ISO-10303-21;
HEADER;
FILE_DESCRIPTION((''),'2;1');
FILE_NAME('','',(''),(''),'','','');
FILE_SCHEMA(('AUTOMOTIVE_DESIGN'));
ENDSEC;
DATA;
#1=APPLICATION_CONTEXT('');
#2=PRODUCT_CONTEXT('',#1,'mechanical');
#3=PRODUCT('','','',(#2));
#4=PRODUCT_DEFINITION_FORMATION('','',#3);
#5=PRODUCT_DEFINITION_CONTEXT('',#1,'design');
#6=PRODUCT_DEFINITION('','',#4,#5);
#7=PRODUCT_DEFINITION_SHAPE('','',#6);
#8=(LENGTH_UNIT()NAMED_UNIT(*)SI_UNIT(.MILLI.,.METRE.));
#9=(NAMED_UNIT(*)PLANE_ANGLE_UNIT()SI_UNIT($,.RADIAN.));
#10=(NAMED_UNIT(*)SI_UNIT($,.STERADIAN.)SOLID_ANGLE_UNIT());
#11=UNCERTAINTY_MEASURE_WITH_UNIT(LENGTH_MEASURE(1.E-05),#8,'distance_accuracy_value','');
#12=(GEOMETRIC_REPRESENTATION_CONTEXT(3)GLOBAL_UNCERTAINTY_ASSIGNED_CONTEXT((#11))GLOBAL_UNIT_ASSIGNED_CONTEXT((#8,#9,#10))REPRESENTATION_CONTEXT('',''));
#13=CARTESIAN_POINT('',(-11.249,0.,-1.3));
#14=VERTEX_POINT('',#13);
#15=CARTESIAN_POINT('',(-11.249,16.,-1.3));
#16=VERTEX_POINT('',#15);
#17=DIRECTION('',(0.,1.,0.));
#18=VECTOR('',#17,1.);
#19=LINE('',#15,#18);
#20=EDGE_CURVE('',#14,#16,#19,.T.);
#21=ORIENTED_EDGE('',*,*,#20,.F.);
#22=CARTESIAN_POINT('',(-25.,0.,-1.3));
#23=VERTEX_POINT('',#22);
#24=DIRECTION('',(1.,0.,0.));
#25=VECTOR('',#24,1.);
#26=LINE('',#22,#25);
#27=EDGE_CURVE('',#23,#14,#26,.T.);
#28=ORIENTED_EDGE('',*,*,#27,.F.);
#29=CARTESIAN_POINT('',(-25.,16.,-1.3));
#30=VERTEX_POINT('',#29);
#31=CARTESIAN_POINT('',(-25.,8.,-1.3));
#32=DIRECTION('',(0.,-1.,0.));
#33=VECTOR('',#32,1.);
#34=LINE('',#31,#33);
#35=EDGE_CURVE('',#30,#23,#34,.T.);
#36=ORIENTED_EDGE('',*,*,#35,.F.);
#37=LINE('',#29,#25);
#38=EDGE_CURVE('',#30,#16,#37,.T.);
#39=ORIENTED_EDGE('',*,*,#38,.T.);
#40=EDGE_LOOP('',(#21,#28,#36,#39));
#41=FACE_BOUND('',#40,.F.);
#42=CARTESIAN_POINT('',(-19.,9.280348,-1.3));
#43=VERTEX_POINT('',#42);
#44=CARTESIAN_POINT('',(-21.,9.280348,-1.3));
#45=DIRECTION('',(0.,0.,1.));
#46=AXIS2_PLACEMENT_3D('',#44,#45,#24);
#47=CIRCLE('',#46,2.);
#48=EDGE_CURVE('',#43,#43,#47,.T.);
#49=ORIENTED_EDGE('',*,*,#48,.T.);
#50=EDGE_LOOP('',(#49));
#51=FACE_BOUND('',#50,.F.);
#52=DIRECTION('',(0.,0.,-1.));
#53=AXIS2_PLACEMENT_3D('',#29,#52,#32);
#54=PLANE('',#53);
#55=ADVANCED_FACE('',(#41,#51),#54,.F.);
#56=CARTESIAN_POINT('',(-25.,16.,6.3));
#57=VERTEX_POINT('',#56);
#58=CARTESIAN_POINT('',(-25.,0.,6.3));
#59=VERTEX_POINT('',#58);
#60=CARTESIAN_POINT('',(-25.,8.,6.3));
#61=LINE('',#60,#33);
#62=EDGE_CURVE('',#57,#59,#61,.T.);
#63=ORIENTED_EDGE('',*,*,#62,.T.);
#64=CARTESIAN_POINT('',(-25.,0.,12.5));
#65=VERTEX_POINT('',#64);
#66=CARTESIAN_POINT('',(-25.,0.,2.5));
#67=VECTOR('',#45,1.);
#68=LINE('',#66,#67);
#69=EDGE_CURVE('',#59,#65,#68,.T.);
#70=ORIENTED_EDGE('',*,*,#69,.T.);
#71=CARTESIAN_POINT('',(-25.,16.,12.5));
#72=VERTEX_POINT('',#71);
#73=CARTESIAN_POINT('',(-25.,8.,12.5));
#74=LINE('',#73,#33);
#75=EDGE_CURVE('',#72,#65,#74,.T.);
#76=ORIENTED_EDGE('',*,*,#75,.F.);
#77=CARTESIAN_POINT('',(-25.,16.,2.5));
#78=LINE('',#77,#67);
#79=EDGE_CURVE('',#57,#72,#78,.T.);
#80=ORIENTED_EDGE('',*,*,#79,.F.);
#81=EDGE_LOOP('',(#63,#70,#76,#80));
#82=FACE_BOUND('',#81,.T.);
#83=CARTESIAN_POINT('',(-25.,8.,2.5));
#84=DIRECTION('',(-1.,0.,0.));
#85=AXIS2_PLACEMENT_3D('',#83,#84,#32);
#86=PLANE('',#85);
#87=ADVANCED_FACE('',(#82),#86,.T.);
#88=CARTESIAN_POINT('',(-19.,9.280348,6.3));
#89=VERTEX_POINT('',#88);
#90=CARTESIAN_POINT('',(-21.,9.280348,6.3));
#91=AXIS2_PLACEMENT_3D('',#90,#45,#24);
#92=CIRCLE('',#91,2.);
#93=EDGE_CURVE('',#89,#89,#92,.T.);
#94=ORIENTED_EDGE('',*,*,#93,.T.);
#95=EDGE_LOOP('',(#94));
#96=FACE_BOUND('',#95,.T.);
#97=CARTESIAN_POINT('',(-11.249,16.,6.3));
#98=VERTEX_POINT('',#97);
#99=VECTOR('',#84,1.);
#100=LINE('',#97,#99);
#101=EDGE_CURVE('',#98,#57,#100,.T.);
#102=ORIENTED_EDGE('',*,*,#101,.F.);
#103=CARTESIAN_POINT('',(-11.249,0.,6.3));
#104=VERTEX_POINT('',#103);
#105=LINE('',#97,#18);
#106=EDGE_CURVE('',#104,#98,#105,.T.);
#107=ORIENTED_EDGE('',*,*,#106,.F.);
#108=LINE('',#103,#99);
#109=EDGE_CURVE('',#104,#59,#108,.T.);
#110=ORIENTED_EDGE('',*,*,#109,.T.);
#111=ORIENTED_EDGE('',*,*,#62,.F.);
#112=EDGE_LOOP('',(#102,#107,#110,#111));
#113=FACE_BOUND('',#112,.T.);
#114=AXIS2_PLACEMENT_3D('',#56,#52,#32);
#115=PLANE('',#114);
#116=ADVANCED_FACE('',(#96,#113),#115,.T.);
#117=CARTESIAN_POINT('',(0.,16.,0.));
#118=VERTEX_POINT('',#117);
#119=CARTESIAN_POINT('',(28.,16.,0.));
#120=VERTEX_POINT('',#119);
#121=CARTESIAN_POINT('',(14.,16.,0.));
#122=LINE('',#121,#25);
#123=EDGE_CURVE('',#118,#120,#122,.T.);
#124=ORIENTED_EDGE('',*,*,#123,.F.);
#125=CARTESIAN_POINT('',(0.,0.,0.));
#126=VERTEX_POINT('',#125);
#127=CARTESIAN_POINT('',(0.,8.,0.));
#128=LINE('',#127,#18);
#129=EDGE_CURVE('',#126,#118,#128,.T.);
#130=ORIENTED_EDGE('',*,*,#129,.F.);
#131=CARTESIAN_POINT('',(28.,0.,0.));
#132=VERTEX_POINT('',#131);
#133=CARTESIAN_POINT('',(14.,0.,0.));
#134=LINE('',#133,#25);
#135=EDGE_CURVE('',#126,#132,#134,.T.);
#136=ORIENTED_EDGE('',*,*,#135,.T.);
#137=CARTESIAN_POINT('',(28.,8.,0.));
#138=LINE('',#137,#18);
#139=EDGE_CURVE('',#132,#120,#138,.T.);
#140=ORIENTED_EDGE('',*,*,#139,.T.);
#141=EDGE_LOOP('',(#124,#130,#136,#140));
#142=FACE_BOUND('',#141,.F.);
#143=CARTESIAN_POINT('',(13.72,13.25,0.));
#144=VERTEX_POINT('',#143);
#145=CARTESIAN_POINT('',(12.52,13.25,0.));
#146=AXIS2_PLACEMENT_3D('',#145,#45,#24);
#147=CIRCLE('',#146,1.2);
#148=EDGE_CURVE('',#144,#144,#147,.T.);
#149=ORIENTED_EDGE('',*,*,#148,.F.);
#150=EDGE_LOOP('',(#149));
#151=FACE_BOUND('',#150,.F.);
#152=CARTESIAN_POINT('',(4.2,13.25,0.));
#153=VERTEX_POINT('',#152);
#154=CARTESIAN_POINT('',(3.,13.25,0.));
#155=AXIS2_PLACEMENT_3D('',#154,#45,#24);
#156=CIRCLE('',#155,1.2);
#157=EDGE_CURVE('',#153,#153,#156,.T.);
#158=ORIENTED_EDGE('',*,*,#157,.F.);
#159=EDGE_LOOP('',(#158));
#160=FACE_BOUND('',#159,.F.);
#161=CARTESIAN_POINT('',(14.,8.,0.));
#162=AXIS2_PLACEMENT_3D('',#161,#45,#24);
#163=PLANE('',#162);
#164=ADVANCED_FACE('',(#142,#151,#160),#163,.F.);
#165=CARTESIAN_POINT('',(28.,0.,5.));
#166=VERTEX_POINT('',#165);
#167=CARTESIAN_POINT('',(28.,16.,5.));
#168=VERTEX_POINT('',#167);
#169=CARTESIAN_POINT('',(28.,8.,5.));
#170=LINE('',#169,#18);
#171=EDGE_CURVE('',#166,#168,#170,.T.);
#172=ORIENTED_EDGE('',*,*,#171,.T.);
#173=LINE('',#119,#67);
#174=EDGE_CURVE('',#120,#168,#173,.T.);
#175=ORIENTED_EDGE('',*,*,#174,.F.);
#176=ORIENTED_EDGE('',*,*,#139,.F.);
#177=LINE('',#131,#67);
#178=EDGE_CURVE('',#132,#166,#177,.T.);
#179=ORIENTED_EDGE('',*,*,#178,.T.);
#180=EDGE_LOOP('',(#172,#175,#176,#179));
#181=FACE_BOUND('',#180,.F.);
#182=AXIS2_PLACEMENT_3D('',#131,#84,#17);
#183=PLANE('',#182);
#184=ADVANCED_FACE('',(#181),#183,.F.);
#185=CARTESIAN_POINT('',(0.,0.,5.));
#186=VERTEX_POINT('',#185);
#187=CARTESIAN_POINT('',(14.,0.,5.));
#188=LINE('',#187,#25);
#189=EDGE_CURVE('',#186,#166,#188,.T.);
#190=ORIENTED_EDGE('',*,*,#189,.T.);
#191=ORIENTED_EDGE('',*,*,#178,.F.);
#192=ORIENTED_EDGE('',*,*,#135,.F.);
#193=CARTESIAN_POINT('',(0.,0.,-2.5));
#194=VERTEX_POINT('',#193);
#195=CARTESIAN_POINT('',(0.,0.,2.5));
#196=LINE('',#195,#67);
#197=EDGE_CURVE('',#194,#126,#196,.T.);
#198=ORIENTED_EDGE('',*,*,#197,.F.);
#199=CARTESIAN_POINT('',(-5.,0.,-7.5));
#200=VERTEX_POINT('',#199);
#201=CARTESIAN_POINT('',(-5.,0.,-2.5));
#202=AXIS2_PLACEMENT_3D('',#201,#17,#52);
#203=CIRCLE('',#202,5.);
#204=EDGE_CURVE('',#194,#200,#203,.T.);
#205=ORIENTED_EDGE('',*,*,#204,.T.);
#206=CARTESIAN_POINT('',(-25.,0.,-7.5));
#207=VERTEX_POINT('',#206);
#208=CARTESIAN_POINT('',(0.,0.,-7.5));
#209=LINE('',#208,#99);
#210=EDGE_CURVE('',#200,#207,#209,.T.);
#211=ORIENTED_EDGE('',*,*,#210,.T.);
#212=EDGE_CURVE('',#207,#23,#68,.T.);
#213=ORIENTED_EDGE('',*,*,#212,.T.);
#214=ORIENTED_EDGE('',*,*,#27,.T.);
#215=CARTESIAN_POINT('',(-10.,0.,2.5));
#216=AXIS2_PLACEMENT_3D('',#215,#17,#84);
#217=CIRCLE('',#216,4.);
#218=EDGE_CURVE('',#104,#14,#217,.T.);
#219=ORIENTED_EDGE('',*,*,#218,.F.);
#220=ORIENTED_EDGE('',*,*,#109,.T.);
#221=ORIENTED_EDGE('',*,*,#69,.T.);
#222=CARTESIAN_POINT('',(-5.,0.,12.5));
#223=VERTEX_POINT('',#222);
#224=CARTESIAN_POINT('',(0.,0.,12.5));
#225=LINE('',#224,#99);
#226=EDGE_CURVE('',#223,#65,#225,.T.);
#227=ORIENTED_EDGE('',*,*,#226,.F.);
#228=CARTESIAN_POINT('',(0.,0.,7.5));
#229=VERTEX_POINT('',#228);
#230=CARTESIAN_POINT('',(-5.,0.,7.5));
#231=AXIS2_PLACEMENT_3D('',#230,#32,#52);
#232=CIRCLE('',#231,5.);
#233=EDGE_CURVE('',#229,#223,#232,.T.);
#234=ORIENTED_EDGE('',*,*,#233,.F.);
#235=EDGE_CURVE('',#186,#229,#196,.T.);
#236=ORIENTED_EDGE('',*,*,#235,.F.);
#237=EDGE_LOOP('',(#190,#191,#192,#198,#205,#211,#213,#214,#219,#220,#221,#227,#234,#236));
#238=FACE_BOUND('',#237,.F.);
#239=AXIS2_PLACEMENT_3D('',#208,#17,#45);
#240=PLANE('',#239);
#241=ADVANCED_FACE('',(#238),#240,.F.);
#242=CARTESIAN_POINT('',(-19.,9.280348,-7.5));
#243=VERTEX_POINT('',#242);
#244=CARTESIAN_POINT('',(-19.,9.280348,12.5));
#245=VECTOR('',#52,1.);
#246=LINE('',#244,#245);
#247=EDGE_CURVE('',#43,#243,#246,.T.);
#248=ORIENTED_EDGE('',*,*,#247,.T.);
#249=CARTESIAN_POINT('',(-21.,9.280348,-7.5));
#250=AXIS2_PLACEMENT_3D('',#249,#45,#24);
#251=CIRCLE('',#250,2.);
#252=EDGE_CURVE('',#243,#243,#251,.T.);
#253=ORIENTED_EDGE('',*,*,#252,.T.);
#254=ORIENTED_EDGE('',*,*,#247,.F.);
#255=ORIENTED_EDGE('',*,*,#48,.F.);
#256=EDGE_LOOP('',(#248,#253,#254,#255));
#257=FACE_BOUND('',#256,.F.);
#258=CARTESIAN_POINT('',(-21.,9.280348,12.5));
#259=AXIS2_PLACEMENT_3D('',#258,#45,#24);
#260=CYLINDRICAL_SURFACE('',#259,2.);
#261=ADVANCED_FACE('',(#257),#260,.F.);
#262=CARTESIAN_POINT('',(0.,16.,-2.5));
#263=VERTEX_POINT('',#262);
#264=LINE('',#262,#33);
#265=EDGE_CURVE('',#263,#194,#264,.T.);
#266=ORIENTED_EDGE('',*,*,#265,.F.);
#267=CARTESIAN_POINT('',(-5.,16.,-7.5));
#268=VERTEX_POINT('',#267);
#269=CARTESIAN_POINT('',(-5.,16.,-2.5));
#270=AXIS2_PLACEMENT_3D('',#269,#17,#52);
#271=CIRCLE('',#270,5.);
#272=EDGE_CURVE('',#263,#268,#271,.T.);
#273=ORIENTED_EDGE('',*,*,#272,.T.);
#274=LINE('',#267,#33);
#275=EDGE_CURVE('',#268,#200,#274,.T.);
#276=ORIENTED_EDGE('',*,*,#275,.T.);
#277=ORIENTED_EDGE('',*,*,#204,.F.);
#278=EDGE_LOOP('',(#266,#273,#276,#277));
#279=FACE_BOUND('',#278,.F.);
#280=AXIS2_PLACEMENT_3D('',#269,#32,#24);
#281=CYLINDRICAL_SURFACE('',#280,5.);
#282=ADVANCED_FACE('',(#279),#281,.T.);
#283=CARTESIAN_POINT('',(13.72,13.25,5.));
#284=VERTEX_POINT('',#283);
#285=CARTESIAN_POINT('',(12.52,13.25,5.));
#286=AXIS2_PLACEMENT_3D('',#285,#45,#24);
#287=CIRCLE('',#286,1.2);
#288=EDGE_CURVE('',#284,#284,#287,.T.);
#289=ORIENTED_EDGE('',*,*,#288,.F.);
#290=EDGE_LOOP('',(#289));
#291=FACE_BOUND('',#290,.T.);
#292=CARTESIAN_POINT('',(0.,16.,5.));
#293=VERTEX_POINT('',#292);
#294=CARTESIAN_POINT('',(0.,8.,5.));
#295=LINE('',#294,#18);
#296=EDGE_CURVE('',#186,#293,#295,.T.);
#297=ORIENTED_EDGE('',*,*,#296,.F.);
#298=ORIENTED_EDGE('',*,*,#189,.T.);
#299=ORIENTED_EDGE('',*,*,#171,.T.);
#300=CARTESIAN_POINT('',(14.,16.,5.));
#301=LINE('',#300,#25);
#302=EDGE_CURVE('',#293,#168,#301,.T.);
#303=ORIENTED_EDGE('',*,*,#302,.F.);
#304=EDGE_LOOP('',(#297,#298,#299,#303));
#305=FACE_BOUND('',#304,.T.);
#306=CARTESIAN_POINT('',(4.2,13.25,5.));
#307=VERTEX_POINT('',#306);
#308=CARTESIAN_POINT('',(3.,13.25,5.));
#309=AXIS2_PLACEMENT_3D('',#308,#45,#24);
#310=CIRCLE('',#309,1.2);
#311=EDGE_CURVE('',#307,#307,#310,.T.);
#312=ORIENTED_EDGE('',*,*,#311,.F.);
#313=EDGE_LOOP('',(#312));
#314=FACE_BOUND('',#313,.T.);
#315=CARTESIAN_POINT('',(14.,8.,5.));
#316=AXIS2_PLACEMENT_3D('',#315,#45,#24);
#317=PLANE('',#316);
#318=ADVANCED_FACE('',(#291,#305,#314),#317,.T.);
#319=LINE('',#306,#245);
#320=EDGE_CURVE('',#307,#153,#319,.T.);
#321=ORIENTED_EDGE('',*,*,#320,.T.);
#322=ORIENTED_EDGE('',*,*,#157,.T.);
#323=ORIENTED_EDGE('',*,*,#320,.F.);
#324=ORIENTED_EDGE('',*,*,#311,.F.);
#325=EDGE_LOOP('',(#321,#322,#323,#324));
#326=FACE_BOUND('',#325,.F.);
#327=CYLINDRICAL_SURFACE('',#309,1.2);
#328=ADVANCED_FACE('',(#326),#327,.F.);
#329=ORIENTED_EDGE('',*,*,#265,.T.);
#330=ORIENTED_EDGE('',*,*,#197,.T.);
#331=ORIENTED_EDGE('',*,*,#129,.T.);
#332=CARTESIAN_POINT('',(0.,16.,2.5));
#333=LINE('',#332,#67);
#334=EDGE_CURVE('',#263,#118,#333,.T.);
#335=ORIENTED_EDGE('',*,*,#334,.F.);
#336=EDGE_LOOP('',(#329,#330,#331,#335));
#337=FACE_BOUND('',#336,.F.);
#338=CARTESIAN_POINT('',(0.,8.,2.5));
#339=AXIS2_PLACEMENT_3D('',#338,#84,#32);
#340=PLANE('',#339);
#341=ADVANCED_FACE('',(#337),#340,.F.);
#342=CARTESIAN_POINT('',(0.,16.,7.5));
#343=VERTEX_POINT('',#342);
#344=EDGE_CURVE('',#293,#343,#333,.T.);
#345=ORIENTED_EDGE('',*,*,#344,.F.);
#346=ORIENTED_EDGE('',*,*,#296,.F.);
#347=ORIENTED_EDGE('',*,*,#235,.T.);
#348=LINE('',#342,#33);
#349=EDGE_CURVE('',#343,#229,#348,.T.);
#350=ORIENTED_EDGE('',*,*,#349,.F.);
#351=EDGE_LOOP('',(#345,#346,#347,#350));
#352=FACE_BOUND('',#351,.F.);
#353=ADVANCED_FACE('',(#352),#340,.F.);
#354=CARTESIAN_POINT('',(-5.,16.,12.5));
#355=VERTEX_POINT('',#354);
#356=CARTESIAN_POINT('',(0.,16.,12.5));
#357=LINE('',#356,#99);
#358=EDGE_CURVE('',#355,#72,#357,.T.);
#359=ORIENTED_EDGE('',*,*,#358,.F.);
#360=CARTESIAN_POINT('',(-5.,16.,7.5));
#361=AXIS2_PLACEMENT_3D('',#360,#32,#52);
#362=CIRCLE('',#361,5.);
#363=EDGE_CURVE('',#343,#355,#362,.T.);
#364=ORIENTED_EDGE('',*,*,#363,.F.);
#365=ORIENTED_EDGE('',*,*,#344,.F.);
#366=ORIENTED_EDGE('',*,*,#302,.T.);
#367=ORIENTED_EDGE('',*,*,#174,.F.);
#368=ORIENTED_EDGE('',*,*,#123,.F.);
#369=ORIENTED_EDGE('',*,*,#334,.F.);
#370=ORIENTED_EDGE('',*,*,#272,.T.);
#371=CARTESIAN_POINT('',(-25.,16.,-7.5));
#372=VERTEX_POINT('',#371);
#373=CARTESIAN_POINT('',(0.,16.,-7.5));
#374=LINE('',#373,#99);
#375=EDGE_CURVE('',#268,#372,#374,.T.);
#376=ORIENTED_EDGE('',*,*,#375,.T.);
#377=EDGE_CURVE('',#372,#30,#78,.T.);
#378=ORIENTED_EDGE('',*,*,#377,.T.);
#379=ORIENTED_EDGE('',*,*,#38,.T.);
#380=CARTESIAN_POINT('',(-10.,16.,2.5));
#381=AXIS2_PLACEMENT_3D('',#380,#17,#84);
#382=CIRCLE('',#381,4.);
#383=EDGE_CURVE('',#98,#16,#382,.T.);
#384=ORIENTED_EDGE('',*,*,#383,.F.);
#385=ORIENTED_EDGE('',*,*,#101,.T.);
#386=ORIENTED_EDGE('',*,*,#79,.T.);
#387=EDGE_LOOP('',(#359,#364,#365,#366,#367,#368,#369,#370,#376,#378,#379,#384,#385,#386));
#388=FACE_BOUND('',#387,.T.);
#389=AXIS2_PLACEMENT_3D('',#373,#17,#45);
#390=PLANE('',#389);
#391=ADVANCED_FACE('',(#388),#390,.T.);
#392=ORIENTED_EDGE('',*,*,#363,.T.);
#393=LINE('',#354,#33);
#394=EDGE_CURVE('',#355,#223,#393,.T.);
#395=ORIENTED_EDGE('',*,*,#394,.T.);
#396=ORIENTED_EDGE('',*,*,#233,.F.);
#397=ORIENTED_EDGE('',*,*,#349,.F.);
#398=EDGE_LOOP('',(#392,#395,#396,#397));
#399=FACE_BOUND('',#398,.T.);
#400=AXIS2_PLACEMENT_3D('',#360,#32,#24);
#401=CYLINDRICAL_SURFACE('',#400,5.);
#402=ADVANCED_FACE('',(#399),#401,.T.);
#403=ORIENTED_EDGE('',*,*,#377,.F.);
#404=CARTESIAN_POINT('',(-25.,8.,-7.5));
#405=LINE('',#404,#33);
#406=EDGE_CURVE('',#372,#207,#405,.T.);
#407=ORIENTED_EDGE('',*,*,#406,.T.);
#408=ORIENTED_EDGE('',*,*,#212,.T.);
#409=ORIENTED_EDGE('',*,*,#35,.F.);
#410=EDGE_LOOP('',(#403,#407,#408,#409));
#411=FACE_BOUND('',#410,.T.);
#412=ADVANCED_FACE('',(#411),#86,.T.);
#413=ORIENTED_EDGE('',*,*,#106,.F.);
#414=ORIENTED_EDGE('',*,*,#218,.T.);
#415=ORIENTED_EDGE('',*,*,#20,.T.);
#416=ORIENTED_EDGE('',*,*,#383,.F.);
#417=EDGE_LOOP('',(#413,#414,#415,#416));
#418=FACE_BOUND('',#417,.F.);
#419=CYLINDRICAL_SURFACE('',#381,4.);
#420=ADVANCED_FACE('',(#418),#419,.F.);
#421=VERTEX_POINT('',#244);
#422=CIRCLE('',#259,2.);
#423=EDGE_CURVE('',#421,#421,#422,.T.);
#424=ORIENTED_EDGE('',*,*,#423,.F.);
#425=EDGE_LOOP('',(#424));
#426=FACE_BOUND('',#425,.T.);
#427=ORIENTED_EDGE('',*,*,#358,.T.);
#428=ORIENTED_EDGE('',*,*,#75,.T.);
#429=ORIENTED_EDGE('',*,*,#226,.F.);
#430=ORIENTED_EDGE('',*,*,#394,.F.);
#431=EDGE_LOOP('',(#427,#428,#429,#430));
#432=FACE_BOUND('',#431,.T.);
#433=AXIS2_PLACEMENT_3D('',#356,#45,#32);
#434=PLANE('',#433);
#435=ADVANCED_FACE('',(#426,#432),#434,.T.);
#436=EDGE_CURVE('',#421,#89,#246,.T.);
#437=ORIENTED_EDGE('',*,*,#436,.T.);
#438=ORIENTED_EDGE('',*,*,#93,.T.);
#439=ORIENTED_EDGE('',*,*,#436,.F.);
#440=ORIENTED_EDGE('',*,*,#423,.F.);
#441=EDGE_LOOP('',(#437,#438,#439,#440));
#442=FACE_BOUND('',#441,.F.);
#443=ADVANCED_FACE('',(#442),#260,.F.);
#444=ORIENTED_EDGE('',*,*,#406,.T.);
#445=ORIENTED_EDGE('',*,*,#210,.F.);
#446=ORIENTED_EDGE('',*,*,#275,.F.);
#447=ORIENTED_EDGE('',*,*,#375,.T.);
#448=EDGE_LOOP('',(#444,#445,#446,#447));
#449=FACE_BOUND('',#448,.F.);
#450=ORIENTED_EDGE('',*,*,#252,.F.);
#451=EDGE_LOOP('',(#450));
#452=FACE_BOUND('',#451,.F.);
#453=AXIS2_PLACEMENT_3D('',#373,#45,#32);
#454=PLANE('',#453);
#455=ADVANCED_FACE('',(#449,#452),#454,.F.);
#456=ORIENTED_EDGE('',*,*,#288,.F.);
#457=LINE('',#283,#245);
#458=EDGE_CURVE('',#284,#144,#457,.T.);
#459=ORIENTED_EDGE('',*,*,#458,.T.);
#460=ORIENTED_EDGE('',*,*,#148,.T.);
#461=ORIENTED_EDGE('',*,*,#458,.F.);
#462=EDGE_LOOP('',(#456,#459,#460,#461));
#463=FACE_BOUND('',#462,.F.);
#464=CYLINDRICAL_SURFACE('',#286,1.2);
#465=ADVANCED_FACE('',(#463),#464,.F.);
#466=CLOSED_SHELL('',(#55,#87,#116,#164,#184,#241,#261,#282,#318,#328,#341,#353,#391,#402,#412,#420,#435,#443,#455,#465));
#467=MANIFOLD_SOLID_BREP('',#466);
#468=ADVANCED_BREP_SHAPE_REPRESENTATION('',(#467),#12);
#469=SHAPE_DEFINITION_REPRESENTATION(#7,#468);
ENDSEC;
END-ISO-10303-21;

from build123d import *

# Parameters (mm, degrees)
F0_W      = 28
F0_H      = 16
F1_DEPTH  = 5
F2_R      = 1.2
F3_DEPTH  = 5.001
F4_W      = 16
F4_H      = 20
F5_DEPTH  = 25
F6_R      = 4
F7_DEPTH  = 16.001
F8_W      = 16
F8_H      = 7.6
F9_DEPTH  = 10
F10_R     = 2
F11_DEPTH = 20.001
F12_DEPTH = 15
F13_R     = 5
F14_R     = 5


with BuildPart() as f1:
    # F0 (on Top) → F1 (new body)
    with BuildSketch(Plane.XY):
        with Locations((14, 8)):
            Rectangle(F0_W, F0_H)
    extrude(amount=F1_DEPTH)

    # F2 (on face) → F3 (cut, through all)
    with BuildSketch(Plane.XY.offset(5)):
        with Locations((12.52, 13.25)):
            Circle(F2_R)
        with Locations((3, 13.25)):
            Circle(F2_R)
    extrude(amount=-F3_DEPTH, mode=Mode.SUBTRACT)

    # F4 (on face) → F5 (join)
    with BuildSketch(Plane(origin=(0, 0, 0), x_dir=(0, -1, 0), z_dir=(-1, 0, 0))):
        with Locations((-8, 2.5)):
            Rectangle(F4_W, F4_H)
    extrude(amount=F5_DEPTH)

    # F6 (on face) → F7 (cut, through all)
    with BuildSketch(Plane(origin=(0, 16, 0), x_dir=(-1, 0, 0), z_dir=(0, 1, 0))):
        with Locations((10, 2.5)):
            Circle(F6_R)
    extrude(amount=-F7_DEPTH, mode=Mode.SUBTRACT)

    # F8 (on face) → F9 (cut)
    with BuildSketch(Plane(origin=(-25, 0, 0), x_dir=(0, -1, 0), z_dir=(-1, 0, 0))):
        with Locations((-8, 2.5)):
            Rectangle(F8_W, F8_H)
    extrude(amount=-F9_DEPTH, mode=Mode.SUBTRACT)

    # F10 (on face) → F11 (cut, through all)
    with BuildSketch(Plane.XY.offset(12.5)):
        with Locations((-21, 9.280348)):
            Circle(F10_R)
    extrude(amount=-F11_DEPTH, mode=Mode.SUBTRACT)

    # F8 (on face) → F12 (cut)
    with BuildSketch(Plane(origin=(-25, 0, 0), x_dir=(0, -1, 0), z_dir=(-1, 0, 0))):
        with Locations((-8, 2.5)):
            Rectangle(F8_W, F8_H)
    extrude(amount=-F12_DEPTH, mode=Mode.SUBTRACT)

    # F13
    f13_edges = [f1.edges().sort_by_distance(p)[0] for p in [
        (0, 8, 12.5),
    ]]
    fillet(f13_edges, radius=F13_R)

    # F14
    f14_edges = [f1.edges().sort_by_distance(p)[0] for p in [
        (0, 8, -7.5),
    ]]
    fillet(f14_edges, radius=F14_R)


solid = f1.part
